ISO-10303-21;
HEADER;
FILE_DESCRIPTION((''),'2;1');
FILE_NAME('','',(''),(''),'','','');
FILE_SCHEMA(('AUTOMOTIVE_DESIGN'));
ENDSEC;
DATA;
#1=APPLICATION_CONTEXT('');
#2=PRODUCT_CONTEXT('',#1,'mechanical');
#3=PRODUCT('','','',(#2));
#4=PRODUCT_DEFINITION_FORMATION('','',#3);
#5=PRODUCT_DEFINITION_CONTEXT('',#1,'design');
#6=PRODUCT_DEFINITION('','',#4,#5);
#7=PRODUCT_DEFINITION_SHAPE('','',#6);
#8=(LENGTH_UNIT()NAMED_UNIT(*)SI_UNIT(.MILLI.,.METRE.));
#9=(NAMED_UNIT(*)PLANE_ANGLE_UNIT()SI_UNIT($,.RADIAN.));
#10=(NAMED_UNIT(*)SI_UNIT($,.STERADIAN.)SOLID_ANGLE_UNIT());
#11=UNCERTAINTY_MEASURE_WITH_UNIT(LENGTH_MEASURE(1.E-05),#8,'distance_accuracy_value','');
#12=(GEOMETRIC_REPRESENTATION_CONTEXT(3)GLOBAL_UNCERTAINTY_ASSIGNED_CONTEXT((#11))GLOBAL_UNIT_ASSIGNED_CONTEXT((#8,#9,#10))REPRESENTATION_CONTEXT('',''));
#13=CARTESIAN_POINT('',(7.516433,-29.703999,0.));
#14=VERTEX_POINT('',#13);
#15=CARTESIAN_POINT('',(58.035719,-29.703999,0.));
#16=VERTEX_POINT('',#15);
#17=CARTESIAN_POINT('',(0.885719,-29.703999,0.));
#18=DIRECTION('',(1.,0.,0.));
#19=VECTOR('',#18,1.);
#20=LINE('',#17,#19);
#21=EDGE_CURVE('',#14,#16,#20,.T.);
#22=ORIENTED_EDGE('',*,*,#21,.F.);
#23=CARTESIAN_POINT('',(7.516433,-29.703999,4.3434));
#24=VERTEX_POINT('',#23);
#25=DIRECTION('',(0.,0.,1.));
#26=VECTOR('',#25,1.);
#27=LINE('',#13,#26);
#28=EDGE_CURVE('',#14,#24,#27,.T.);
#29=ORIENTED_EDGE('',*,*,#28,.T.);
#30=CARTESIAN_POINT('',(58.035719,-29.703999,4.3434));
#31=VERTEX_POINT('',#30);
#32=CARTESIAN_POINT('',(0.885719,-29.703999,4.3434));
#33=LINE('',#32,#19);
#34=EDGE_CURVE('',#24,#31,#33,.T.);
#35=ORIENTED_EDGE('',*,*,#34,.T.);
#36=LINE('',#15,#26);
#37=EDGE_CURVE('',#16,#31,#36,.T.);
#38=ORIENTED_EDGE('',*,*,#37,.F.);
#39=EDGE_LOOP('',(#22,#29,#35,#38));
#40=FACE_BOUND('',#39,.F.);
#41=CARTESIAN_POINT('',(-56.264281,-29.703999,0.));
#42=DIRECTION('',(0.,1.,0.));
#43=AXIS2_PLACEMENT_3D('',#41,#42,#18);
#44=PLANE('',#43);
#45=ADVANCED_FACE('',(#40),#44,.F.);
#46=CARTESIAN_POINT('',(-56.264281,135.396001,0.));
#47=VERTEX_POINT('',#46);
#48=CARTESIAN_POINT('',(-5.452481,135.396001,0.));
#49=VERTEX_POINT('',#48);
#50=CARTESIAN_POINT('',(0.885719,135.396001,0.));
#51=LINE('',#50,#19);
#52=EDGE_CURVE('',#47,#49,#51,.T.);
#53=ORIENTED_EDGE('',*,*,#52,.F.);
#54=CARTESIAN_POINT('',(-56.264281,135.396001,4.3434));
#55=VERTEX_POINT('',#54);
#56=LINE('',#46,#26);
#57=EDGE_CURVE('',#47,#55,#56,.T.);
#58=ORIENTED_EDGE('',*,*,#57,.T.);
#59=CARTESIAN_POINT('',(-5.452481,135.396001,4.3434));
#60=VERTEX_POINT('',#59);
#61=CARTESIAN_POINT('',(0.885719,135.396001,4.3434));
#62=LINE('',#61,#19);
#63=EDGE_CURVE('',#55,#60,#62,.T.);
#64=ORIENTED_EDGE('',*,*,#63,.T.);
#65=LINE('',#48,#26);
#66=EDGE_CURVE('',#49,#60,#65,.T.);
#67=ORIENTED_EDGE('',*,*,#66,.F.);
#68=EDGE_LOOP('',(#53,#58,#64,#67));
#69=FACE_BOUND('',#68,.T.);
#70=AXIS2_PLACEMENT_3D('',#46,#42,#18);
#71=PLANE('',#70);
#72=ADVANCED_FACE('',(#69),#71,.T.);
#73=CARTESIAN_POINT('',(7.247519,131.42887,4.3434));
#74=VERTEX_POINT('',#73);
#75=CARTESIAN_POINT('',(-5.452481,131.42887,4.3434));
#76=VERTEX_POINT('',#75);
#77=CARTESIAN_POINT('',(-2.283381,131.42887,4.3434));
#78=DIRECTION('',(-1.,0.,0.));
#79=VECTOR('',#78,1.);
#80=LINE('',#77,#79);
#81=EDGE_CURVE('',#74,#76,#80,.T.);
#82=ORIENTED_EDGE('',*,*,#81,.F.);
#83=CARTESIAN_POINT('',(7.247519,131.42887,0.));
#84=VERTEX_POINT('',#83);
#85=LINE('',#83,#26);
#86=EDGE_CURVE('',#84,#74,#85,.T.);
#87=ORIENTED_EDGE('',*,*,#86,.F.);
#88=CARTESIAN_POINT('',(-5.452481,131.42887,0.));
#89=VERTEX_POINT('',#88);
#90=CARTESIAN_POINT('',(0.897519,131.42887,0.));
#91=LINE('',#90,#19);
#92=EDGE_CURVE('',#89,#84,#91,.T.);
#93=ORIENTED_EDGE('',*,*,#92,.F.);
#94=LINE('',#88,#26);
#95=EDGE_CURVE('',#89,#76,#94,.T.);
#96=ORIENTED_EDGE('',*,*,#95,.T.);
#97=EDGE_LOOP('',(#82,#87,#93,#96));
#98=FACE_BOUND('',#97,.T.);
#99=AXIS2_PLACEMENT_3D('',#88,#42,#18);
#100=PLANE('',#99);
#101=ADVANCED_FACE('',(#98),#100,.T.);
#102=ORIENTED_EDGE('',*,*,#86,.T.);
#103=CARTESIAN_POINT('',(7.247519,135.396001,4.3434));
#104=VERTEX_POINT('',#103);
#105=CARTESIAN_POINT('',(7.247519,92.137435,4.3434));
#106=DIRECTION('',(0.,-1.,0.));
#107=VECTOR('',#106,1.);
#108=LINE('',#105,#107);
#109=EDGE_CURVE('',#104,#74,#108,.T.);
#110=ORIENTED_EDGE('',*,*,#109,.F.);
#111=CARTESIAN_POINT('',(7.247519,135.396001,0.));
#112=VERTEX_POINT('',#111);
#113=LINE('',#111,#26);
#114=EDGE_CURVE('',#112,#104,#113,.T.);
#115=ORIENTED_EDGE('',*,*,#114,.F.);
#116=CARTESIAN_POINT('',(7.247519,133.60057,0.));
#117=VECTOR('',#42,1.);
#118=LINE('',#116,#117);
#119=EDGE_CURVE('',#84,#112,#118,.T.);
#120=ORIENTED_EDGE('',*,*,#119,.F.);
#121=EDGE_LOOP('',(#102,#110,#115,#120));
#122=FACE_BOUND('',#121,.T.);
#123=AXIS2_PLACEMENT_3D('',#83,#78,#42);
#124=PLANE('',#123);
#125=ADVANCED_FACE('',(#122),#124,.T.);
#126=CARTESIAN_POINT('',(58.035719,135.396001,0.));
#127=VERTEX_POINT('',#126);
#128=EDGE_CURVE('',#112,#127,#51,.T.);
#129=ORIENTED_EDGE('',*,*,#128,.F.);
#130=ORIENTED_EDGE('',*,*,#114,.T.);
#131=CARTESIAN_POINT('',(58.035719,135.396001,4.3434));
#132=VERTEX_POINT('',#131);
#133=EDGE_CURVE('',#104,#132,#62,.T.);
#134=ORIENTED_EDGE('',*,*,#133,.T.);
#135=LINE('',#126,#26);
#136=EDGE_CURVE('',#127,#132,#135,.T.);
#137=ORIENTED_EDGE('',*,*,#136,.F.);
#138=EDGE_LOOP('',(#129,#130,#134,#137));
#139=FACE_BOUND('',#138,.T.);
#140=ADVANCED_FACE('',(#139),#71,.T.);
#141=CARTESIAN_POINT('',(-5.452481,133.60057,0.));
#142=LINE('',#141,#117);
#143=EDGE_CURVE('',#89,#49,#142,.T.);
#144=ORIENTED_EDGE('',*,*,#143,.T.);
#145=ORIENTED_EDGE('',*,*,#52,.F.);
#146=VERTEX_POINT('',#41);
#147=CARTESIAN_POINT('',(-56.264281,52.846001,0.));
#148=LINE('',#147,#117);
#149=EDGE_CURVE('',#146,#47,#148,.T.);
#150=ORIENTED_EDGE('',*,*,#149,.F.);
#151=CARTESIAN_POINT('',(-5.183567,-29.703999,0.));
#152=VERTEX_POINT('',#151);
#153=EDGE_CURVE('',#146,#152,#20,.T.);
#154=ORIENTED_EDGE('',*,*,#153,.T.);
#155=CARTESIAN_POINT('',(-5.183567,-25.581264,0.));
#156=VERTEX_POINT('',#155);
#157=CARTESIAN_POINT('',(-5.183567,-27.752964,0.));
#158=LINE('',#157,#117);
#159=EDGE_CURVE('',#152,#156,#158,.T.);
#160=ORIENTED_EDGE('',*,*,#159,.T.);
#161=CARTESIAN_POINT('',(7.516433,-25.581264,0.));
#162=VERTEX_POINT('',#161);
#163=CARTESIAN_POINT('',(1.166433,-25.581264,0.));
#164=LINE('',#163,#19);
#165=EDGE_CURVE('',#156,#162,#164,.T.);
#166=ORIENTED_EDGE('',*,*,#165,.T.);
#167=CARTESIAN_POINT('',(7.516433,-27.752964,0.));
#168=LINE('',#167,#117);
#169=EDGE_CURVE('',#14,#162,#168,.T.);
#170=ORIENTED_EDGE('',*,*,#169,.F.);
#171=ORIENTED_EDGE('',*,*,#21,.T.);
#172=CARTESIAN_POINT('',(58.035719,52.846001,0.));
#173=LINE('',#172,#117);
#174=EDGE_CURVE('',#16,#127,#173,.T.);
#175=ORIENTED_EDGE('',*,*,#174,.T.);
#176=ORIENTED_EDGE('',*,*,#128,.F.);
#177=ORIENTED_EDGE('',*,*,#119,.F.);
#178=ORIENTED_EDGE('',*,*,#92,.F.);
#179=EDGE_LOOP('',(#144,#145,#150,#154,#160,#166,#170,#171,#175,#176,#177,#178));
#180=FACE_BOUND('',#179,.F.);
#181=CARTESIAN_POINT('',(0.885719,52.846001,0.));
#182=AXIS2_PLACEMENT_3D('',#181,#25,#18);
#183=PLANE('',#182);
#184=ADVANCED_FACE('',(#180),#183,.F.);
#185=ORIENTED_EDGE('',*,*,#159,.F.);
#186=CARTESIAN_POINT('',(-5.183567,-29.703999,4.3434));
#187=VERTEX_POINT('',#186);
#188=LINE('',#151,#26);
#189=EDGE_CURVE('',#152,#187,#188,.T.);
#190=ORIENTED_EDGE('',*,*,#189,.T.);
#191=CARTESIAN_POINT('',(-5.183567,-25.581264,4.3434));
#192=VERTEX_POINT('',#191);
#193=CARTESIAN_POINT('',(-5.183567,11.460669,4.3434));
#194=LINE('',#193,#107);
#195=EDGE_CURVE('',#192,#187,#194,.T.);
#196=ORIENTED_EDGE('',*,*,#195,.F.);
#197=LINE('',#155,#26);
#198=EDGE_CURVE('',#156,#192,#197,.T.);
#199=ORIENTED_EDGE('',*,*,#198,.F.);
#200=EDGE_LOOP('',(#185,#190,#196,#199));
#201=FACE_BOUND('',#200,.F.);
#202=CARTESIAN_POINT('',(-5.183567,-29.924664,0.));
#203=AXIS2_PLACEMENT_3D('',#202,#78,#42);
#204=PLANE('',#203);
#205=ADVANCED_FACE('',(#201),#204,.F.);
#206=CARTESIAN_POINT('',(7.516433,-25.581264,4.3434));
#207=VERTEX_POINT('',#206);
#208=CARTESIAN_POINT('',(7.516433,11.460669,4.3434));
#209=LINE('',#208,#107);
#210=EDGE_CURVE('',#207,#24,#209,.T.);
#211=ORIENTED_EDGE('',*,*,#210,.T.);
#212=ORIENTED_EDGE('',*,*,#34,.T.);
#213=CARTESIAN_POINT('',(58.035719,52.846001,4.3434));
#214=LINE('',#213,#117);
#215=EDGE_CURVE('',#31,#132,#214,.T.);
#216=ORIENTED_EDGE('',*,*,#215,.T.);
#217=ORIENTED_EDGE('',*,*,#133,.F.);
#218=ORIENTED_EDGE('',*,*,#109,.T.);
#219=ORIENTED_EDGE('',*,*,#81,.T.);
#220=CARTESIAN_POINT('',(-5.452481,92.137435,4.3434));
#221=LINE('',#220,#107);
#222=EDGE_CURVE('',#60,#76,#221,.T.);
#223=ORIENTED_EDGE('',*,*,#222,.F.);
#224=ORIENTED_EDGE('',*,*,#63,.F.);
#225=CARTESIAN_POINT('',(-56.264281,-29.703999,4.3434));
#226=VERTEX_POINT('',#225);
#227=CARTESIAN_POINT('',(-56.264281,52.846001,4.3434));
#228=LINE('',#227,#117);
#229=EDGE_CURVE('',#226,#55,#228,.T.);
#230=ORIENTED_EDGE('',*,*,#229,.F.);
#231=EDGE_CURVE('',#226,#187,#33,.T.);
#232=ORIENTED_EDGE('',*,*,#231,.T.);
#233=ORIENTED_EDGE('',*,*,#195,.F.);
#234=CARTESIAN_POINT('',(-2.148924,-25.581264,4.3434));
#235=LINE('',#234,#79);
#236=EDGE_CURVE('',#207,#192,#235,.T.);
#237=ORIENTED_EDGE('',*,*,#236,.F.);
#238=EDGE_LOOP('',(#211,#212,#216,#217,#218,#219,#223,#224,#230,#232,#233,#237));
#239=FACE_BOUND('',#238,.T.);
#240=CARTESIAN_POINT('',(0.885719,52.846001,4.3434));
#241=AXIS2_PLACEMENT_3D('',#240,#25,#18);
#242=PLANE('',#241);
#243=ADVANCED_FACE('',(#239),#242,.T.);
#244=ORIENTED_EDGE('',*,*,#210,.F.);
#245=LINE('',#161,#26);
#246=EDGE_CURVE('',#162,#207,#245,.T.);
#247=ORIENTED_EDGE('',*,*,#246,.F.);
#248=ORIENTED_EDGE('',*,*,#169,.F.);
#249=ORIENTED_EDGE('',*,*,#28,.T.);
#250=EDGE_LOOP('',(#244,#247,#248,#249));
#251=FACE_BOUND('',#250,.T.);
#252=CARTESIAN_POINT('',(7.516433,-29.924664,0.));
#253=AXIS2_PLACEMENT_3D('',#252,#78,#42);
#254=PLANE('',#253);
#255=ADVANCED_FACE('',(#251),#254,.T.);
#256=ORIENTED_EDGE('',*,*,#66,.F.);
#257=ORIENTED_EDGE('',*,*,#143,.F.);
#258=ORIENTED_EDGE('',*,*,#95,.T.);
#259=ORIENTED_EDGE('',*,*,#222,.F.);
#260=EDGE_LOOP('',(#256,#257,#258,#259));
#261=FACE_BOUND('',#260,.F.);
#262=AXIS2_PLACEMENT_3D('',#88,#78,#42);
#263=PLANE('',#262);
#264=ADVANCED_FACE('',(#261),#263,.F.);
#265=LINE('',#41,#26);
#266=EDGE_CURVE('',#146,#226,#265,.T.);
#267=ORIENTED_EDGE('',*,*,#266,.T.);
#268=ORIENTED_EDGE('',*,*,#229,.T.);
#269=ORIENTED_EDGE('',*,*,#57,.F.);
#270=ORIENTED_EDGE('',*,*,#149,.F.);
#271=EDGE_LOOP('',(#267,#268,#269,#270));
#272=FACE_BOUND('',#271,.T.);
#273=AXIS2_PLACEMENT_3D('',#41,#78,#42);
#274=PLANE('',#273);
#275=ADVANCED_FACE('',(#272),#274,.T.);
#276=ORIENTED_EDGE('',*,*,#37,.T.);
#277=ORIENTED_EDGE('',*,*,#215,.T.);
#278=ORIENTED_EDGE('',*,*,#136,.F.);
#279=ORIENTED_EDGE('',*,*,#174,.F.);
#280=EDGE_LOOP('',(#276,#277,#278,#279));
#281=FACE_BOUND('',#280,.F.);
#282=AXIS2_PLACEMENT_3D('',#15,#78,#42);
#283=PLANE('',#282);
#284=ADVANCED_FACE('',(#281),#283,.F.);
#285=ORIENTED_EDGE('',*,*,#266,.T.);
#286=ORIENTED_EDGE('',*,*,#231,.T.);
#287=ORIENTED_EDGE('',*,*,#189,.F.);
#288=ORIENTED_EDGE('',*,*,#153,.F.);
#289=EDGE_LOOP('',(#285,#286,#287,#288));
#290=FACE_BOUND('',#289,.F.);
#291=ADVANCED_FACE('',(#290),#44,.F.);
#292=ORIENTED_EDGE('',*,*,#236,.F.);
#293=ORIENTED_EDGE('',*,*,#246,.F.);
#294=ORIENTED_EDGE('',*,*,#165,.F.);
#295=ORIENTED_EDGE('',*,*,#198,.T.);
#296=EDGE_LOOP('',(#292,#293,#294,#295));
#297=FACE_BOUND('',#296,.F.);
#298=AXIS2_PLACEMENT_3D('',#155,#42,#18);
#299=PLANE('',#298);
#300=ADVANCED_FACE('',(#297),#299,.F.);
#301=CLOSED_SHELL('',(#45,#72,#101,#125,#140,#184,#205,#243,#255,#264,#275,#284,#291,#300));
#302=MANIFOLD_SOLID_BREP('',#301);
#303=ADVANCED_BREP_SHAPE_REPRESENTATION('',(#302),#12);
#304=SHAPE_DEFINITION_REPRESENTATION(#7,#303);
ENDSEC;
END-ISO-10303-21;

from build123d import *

# Parameters (mm, degrees)
F0_W     = 114.3
F0_H     = 165.1
F1_DEPTH = 4.3434
F3_W     = 12.7
F3_H     = 4.3434
F4_DEPTH = 4.3444
F5_W     = 12.7
F5_H     = 4.3434
F6_DEPTH = 4.3444


with BuildPart() as f1:
    # F0 (on Top) → F1 (new body)
    with BuildSketch(Plane.XY):
        with Locations((0.885719, 52.846001)):
            Rectangle(F0_W, F0_H)
    extrude(amount=F1_DEPTH)

    # F3 (on Top) → F4 (cut, through all)
    with BuildSketch(Plane.XY):
        with Locations((1.166433, -27.752964)):
            Rectangle(F3_W, F3_H)
    extrude(amount=F4_DEPTH, mode=Mode.SUBTRACT)

    # F5 (on Top) → F6 (cut, through all)
    with BuildSketch(Plane.XY):
        with Locations((0.897519, 133.60057)):
            Rectangle(F5_W, F5_H)
    extrude(amount=F6_DEPTH, mode=Mode.SUBTRACT)


solid = f1.part
